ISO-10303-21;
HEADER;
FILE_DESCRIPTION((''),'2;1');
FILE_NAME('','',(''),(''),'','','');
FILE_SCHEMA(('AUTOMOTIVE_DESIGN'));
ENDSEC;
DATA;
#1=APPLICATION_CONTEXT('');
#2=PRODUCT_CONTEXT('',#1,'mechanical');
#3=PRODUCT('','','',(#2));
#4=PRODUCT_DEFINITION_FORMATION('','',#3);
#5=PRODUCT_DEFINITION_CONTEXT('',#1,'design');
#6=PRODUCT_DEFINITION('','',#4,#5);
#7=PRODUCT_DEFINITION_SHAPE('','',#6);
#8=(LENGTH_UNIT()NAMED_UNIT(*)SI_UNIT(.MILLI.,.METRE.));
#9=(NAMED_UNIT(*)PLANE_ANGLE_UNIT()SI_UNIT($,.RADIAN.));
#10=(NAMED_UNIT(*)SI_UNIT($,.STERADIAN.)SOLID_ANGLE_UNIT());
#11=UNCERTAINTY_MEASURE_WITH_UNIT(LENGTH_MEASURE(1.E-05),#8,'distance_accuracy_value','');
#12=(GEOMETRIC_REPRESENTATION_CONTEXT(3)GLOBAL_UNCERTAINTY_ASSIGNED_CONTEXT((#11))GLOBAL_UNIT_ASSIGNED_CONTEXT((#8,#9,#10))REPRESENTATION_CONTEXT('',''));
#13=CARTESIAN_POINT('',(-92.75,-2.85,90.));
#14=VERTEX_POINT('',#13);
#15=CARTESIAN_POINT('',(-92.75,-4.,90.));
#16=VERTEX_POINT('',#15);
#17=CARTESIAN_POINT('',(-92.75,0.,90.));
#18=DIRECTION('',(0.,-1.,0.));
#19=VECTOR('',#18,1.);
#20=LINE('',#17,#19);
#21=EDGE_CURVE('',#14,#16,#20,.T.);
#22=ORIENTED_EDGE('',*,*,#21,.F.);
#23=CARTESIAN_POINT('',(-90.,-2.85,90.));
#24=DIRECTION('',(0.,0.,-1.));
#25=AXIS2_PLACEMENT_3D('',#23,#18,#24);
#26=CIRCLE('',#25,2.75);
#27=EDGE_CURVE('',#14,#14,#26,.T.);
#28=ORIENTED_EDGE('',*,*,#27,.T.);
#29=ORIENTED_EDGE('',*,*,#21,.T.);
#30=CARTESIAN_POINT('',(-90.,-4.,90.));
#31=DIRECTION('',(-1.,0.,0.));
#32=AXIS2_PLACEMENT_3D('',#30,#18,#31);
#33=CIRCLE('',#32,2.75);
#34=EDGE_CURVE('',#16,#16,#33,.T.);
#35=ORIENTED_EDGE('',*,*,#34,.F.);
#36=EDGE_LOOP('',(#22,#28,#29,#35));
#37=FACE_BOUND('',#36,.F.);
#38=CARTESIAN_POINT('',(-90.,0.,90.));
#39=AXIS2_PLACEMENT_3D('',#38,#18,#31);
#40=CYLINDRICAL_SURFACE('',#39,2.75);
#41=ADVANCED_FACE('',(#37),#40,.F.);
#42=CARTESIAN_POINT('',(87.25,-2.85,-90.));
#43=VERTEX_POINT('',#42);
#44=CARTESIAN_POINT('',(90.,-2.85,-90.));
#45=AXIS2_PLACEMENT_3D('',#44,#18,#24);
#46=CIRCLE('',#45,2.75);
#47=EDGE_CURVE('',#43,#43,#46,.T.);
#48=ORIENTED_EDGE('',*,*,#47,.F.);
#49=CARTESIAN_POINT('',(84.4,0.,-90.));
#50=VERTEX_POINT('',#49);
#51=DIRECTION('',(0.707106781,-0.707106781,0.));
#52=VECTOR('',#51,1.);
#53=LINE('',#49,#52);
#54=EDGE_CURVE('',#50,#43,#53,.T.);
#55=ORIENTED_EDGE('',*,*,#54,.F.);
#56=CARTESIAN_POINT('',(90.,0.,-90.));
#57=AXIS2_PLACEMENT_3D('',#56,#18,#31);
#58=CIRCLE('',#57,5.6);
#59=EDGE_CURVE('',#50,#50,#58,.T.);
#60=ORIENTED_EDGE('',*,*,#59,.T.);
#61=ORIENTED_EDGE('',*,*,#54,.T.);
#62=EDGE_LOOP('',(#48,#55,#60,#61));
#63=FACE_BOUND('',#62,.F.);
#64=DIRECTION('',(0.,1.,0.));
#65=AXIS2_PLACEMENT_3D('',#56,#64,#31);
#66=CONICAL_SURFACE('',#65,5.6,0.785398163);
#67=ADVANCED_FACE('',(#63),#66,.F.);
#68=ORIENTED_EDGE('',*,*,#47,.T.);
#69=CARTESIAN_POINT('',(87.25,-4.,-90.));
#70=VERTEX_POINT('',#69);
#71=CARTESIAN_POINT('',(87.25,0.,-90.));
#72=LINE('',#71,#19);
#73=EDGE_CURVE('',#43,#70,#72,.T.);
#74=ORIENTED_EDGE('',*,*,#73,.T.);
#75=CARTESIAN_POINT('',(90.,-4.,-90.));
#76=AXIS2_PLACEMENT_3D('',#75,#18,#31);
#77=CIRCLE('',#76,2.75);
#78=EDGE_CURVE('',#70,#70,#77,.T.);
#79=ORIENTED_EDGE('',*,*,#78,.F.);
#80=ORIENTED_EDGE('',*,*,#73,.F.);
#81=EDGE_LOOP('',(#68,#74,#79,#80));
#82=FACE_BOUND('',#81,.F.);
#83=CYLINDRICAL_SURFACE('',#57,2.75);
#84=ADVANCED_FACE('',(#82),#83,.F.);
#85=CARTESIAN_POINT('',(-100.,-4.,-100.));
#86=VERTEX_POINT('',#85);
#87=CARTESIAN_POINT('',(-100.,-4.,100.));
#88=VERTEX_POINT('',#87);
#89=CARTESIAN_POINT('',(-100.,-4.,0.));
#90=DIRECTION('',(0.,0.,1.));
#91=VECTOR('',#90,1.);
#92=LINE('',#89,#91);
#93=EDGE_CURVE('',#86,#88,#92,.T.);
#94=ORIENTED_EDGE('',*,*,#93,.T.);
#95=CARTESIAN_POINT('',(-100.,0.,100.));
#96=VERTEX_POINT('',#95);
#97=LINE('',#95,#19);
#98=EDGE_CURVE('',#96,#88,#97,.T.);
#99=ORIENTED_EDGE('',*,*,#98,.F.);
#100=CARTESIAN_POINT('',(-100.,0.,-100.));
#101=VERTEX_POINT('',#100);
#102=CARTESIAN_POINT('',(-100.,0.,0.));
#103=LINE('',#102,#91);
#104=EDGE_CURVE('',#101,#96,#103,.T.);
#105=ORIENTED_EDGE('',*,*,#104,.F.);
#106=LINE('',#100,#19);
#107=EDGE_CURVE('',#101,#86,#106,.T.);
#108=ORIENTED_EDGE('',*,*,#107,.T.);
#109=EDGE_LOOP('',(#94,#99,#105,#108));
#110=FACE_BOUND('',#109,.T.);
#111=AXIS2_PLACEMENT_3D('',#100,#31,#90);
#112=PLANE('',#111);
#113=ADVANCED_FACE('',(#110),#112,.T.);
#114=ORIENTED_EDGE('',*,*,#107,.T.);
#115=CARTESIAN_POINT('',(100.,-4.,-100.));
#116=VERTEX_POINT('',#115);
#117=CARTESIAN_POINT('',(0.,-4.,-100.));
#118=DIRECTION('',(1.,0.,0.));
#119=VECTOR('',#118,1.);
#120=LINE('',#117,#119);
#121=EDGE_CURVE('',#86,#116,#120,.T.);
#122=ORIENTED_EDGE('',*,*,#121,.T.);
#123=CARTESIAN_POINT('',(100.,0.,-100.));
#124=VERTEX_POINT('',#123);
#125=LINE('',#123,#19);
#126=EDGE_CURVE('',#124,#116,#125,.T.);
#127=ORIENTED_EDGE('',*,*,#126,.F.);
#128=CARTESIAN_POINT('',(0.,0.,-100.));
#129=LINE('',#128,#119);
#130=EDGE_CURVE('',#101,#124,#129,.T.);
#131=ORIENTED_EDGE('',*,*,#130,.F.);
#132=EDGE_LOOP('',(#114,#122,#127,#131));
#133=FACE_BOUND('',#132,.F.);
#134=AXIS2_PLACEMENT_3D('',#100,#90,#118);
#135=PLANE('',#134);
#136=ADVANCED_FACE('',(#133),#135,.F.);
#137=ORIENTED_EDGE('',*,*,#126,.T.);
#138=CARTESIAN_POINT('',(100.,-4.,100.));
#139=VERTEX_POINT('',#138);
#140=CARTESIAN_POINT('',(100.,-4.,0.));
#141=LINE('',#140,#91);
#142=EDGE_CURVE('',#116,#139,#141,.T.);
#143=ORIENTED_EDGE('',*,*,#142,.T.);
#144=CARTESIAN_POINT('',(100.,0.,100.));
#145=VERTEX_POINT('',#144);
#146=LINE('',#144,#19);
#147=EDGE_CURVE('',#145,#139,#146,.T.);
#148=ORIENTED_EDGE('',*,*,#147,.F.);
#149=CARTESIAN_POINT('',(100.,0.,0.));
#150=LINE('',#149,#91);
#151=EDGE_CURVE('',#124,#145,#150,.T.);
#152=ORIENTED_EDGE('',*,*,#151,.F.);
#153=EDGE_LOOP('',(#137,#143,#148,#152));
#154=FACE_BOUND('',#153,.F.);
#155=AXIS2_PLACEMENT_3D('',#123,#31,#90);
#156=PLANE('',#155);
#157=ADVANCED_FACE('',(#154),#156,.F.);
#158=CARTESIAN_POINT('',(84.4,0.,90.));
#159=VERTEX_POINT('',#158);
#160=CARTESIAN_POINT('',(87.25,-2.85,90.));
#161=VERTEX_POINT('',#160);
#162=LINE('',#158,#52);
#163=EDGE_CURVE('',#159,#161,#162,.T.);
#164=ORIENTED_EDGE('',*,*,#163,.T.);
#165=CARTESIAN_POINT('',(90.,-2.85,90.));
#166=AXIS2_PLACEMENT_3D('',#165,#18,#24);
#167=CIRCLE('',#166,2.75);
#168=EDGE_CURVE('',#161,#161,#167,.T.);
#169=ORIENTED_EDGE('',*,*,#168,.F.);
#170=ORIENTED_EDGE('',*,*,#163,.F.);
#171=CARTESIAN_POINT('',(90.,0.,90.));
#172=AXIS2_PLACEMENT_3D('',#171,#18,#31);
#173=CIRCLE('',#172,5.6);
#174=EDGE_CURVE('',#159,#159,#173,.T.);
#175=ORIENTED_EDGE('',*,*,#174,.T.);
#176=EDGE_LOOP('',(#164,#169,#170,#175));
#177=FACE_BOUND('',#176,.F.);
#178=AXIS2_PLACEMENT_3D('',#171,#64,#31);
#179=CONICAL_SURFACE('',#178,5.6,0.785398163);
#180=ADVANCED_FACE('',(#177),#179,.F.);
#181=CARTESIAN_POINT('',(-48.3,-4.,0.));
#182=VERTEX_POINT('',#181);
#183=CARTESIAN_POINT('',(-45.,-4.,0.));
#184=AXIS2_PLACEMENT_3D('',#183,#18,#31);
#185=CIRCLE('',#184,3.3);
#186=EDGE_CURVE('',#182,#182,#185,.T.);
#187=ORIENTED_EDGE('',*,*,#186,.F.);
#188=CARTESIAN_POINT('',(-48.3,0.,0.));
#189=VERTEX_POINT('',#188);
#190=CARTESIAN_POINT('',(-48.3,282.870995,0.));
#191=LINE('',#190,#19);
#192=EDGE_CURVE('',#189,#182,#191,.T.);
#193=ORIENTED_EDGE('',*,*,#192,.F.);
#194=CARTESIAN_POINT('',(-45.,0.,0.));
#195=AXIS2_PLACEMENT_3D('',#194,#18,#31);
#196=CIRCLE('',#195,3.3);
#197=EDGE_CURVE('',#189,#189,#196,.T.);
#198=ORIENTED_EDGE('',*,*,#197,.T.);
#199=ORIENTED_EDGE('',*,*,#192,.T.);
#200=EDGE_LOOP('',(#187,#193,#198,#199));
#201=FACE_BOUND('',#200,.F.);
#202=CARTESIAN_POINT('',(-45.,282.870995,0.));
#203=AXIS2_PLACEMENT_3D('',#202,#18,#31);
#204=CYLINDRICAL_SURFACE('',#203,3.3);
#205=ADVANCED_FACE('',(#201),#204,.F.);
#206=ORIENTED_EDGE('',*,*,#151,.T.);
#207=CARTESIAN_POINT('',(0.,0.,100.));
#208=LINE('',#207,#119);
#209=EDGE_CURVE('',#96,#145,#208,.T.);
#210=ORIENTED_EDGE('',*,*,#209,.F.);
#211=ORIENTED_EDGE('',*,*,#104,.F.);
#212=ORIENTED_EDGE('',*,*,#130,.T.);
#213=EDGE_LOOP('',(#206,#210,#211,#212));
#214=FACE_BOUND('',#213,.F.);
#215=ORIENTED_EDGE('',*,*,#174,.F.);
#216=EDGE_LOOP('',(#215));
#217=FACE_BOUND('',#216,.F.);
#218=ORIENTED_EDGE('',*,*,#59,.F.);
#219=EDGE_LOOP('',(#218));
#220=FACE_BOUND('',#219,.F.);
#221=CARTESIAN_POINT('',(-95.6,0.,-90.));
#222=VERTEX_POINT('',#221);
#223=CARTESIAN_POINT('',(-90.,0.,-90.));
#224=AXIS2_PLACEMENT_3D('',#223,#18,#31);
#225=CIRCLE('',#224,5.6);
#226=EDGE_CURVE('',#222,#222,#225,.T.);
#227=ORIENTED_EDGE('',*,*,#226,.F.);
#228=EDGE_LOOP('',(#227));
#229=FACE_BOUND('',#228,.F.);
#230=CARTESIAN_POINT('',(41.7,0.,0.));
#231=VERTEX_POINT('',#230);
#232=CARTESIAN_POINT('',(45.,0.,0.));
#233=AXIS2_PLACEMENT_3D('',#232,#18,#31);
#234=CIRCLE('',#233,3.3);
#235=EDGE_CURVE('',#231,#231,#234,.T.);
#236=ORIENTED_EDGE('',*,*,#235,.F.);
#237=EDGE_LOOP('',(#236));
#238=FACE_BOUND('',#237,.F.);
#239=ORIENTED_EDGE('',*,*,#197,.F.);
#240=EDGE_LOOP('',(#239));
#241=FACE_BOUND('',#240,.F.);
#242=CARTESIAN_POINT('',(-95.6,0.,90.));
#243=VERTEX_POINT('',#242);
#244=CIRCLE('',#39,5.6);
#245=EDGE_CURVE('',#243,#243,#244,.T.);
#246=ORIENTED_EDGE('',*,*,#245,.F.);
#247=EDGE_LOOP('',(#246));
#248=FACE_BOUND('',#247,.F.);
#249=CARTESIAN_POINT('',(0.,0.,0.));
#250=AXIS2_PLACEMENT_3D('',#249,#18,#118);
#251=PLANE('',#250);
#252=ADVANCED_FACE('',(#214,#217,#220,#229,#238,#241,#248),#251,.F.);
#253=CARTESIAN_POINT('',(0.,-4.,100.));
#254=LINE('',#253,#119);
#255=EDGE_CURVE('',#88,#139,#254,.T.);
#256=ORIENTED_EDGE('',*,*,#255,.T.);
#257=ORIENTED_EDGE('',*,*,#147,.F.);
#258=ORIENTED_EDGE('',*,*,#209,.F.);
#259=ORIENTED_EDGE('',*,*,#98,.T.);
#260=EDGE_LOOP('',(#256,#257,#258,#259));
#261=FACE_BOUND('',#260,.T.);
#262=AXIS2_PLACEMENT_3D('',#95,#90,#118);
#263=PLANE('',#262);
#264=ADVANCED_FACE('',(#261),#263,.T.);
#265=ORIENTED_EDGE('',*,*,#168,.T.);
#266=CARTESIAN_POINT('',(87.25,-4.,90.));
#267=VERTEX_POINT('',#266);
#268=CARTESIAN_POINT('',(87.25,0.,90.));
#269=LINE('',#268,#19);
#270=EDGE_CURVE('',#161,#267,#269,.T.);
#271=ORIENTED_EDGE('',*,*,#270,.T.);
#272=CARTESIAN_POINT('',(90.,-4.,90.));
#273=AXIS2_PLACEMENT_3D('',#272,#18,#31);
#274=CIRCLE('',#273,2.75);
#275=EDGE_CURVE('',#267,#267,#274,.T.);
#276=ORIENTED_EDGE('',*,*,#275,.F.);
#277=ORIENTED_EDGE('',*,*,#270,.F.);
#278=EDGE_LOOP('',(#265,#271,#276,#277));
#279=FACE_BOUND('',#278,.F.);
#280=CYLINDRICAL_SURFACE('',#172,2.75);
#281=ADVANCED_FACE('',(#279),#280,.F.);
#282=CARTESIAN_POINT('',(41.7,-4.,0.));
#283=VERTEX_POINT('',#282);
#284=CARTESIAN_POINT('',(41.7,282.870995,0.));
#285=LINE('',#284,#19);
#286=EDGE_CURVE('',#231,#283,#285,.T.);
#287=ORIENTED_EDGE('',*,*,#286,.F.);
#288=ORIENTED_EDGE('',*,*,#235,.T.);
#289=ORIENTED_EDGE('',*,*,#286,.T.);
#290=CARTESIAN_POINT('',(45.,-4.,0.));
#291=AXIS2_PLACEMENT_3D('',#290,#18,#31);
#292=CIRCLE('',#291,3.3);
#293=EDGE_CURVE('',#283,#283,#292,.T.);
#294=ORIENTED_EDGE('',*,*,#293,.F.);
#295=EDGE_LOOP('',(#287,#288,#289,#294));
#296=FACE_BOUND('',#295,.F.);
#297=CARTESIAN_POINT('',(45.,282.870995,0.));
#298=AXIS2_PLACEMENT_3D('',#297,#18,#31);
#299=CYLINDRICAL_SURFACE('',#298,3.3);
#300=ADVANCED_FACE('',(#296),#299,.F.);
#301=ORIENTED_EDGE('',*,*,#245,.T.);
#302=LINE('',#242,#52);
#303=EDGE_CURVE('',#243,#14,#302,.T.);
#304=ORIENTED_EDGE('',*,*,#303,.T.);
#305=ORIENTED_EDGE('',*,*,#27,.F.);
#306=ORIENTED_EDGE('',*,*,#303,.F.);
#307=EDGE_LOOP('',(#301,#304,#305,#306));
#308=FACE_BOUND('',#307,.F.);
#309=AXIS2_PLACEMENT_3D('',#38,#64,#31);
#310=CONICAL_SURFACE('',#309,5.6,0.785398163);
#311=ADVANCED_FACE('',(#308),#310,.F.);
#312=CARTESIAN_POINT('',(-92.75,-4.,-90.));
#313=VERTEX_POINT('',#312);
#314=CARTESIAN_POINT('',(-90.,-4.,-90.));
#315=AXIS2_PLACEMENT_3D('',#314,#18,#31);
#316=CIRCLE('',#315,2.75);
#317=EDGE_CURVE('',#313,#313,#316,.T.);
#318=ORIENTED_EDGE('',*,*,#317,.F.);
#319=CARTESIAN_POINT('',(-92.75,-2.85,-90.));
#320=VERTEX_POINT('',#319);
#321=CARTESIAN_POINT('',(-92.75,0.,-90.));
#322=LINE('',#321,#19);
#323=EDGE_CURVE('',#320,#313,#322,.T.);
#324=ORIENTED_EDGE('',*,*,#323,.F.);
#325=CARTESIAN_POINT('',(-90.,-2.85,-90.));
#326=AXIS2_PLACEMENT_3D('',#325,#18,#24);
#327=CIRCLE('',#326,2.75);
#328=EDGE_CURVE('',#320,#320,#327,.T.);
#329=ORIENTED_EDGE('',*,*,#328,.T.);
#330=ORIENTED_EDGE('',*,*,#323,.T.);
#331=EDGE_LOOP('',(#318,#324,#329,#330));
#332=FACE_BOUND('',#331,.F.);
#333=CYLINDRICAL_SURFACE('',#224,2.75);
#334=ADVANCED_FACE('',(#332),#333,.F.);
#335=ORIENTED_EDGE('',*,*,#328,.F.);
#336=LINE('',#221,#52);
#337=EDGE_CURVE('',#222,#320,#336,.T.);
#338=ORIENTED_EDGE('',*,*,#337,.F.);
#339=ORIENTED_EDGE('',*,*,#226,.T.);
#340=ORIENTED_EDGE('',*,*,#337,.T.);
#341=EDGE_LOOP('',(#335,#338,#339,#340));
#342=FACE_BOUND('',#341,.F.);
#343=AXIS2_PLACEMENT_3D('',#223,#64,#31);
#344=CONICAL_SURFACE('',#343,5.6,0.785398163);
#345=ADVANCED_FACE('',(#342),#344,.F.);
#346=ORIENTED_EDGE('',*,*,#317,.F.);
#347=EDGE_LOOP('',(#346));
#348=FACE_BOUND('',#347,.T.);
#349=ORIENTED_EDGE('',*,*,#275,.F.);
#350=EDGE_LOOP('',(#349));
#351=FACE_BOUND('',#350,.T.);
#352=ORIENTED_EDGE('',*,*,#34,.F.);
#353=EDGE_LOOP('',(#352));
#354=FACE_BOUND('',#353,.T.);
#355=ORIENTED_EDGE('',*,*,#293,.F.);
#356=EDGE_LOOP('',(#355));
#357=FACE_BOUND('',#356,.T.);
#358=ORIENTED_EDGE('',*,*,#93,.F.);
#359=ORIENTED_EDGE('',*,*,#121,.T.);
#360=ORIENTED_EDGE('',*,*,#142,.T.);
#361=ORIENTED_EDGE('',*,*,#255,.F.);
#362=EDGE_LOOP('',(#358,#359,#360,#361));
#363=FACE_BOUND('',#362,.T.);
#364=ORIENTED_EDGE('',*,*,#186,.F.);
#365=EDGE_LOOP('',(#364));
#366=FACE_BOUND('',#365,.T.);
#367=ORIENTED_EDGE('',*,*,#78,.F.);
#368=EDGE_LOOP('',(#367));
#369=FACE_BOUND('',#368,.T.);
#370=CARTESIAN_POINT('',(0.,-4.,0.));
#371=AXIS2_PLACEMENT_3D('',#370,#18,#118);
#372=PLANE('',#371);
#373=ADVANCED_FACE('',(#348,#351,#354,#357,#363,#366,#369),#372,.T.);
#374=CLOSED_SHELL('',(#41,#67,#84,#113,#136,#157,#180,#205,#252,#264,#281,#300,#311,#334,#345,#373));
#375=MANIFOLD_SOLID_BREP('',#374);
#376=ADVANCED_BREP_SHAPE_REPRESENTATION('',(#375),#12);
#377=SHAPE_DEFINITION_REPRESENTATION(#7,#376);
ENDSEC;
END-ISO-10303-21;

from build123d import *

# Parameters (mm, degrees)
F0_W           = 200
F0_H           = 200
F1_DEPTH       = 4
F2_D           = 6.6
F3_D           = 5.5
F3_CSINK_D     = 11.2
F3_CSINK_ANGLE = 90


with BuildPart() as f1:
    # F0 (on Front) → F1 (new body)
    with BuildSketch(Plane.XZ):
        Rectangle(F0_W, F0_H)
    extrude(amount=F1_DEPTH)

    # F2 (through all)
    with Locations(Plane(origin=(0, 0, 0), x_dir=(1, 0, 0), z_dir=(0, 1, 0))):
        with Locations((-45, 0), (45, 0)):
            Hole(F2_D / 2)

    # F3 (through all)
    with Locations(Plane(origin=(0, 0, 0), x_dir=(1, 0, 0), z_dir=(0, 1, 0))):
        with Locations((-90, -90), (90, -90), (-90, 90), (90, 90)):
            CounterSinkHole(F3_D / 2, F3_CSINK_D / 2, counter_sink_angle=F3_CSINK_ANGLE)


solid = f1.part
